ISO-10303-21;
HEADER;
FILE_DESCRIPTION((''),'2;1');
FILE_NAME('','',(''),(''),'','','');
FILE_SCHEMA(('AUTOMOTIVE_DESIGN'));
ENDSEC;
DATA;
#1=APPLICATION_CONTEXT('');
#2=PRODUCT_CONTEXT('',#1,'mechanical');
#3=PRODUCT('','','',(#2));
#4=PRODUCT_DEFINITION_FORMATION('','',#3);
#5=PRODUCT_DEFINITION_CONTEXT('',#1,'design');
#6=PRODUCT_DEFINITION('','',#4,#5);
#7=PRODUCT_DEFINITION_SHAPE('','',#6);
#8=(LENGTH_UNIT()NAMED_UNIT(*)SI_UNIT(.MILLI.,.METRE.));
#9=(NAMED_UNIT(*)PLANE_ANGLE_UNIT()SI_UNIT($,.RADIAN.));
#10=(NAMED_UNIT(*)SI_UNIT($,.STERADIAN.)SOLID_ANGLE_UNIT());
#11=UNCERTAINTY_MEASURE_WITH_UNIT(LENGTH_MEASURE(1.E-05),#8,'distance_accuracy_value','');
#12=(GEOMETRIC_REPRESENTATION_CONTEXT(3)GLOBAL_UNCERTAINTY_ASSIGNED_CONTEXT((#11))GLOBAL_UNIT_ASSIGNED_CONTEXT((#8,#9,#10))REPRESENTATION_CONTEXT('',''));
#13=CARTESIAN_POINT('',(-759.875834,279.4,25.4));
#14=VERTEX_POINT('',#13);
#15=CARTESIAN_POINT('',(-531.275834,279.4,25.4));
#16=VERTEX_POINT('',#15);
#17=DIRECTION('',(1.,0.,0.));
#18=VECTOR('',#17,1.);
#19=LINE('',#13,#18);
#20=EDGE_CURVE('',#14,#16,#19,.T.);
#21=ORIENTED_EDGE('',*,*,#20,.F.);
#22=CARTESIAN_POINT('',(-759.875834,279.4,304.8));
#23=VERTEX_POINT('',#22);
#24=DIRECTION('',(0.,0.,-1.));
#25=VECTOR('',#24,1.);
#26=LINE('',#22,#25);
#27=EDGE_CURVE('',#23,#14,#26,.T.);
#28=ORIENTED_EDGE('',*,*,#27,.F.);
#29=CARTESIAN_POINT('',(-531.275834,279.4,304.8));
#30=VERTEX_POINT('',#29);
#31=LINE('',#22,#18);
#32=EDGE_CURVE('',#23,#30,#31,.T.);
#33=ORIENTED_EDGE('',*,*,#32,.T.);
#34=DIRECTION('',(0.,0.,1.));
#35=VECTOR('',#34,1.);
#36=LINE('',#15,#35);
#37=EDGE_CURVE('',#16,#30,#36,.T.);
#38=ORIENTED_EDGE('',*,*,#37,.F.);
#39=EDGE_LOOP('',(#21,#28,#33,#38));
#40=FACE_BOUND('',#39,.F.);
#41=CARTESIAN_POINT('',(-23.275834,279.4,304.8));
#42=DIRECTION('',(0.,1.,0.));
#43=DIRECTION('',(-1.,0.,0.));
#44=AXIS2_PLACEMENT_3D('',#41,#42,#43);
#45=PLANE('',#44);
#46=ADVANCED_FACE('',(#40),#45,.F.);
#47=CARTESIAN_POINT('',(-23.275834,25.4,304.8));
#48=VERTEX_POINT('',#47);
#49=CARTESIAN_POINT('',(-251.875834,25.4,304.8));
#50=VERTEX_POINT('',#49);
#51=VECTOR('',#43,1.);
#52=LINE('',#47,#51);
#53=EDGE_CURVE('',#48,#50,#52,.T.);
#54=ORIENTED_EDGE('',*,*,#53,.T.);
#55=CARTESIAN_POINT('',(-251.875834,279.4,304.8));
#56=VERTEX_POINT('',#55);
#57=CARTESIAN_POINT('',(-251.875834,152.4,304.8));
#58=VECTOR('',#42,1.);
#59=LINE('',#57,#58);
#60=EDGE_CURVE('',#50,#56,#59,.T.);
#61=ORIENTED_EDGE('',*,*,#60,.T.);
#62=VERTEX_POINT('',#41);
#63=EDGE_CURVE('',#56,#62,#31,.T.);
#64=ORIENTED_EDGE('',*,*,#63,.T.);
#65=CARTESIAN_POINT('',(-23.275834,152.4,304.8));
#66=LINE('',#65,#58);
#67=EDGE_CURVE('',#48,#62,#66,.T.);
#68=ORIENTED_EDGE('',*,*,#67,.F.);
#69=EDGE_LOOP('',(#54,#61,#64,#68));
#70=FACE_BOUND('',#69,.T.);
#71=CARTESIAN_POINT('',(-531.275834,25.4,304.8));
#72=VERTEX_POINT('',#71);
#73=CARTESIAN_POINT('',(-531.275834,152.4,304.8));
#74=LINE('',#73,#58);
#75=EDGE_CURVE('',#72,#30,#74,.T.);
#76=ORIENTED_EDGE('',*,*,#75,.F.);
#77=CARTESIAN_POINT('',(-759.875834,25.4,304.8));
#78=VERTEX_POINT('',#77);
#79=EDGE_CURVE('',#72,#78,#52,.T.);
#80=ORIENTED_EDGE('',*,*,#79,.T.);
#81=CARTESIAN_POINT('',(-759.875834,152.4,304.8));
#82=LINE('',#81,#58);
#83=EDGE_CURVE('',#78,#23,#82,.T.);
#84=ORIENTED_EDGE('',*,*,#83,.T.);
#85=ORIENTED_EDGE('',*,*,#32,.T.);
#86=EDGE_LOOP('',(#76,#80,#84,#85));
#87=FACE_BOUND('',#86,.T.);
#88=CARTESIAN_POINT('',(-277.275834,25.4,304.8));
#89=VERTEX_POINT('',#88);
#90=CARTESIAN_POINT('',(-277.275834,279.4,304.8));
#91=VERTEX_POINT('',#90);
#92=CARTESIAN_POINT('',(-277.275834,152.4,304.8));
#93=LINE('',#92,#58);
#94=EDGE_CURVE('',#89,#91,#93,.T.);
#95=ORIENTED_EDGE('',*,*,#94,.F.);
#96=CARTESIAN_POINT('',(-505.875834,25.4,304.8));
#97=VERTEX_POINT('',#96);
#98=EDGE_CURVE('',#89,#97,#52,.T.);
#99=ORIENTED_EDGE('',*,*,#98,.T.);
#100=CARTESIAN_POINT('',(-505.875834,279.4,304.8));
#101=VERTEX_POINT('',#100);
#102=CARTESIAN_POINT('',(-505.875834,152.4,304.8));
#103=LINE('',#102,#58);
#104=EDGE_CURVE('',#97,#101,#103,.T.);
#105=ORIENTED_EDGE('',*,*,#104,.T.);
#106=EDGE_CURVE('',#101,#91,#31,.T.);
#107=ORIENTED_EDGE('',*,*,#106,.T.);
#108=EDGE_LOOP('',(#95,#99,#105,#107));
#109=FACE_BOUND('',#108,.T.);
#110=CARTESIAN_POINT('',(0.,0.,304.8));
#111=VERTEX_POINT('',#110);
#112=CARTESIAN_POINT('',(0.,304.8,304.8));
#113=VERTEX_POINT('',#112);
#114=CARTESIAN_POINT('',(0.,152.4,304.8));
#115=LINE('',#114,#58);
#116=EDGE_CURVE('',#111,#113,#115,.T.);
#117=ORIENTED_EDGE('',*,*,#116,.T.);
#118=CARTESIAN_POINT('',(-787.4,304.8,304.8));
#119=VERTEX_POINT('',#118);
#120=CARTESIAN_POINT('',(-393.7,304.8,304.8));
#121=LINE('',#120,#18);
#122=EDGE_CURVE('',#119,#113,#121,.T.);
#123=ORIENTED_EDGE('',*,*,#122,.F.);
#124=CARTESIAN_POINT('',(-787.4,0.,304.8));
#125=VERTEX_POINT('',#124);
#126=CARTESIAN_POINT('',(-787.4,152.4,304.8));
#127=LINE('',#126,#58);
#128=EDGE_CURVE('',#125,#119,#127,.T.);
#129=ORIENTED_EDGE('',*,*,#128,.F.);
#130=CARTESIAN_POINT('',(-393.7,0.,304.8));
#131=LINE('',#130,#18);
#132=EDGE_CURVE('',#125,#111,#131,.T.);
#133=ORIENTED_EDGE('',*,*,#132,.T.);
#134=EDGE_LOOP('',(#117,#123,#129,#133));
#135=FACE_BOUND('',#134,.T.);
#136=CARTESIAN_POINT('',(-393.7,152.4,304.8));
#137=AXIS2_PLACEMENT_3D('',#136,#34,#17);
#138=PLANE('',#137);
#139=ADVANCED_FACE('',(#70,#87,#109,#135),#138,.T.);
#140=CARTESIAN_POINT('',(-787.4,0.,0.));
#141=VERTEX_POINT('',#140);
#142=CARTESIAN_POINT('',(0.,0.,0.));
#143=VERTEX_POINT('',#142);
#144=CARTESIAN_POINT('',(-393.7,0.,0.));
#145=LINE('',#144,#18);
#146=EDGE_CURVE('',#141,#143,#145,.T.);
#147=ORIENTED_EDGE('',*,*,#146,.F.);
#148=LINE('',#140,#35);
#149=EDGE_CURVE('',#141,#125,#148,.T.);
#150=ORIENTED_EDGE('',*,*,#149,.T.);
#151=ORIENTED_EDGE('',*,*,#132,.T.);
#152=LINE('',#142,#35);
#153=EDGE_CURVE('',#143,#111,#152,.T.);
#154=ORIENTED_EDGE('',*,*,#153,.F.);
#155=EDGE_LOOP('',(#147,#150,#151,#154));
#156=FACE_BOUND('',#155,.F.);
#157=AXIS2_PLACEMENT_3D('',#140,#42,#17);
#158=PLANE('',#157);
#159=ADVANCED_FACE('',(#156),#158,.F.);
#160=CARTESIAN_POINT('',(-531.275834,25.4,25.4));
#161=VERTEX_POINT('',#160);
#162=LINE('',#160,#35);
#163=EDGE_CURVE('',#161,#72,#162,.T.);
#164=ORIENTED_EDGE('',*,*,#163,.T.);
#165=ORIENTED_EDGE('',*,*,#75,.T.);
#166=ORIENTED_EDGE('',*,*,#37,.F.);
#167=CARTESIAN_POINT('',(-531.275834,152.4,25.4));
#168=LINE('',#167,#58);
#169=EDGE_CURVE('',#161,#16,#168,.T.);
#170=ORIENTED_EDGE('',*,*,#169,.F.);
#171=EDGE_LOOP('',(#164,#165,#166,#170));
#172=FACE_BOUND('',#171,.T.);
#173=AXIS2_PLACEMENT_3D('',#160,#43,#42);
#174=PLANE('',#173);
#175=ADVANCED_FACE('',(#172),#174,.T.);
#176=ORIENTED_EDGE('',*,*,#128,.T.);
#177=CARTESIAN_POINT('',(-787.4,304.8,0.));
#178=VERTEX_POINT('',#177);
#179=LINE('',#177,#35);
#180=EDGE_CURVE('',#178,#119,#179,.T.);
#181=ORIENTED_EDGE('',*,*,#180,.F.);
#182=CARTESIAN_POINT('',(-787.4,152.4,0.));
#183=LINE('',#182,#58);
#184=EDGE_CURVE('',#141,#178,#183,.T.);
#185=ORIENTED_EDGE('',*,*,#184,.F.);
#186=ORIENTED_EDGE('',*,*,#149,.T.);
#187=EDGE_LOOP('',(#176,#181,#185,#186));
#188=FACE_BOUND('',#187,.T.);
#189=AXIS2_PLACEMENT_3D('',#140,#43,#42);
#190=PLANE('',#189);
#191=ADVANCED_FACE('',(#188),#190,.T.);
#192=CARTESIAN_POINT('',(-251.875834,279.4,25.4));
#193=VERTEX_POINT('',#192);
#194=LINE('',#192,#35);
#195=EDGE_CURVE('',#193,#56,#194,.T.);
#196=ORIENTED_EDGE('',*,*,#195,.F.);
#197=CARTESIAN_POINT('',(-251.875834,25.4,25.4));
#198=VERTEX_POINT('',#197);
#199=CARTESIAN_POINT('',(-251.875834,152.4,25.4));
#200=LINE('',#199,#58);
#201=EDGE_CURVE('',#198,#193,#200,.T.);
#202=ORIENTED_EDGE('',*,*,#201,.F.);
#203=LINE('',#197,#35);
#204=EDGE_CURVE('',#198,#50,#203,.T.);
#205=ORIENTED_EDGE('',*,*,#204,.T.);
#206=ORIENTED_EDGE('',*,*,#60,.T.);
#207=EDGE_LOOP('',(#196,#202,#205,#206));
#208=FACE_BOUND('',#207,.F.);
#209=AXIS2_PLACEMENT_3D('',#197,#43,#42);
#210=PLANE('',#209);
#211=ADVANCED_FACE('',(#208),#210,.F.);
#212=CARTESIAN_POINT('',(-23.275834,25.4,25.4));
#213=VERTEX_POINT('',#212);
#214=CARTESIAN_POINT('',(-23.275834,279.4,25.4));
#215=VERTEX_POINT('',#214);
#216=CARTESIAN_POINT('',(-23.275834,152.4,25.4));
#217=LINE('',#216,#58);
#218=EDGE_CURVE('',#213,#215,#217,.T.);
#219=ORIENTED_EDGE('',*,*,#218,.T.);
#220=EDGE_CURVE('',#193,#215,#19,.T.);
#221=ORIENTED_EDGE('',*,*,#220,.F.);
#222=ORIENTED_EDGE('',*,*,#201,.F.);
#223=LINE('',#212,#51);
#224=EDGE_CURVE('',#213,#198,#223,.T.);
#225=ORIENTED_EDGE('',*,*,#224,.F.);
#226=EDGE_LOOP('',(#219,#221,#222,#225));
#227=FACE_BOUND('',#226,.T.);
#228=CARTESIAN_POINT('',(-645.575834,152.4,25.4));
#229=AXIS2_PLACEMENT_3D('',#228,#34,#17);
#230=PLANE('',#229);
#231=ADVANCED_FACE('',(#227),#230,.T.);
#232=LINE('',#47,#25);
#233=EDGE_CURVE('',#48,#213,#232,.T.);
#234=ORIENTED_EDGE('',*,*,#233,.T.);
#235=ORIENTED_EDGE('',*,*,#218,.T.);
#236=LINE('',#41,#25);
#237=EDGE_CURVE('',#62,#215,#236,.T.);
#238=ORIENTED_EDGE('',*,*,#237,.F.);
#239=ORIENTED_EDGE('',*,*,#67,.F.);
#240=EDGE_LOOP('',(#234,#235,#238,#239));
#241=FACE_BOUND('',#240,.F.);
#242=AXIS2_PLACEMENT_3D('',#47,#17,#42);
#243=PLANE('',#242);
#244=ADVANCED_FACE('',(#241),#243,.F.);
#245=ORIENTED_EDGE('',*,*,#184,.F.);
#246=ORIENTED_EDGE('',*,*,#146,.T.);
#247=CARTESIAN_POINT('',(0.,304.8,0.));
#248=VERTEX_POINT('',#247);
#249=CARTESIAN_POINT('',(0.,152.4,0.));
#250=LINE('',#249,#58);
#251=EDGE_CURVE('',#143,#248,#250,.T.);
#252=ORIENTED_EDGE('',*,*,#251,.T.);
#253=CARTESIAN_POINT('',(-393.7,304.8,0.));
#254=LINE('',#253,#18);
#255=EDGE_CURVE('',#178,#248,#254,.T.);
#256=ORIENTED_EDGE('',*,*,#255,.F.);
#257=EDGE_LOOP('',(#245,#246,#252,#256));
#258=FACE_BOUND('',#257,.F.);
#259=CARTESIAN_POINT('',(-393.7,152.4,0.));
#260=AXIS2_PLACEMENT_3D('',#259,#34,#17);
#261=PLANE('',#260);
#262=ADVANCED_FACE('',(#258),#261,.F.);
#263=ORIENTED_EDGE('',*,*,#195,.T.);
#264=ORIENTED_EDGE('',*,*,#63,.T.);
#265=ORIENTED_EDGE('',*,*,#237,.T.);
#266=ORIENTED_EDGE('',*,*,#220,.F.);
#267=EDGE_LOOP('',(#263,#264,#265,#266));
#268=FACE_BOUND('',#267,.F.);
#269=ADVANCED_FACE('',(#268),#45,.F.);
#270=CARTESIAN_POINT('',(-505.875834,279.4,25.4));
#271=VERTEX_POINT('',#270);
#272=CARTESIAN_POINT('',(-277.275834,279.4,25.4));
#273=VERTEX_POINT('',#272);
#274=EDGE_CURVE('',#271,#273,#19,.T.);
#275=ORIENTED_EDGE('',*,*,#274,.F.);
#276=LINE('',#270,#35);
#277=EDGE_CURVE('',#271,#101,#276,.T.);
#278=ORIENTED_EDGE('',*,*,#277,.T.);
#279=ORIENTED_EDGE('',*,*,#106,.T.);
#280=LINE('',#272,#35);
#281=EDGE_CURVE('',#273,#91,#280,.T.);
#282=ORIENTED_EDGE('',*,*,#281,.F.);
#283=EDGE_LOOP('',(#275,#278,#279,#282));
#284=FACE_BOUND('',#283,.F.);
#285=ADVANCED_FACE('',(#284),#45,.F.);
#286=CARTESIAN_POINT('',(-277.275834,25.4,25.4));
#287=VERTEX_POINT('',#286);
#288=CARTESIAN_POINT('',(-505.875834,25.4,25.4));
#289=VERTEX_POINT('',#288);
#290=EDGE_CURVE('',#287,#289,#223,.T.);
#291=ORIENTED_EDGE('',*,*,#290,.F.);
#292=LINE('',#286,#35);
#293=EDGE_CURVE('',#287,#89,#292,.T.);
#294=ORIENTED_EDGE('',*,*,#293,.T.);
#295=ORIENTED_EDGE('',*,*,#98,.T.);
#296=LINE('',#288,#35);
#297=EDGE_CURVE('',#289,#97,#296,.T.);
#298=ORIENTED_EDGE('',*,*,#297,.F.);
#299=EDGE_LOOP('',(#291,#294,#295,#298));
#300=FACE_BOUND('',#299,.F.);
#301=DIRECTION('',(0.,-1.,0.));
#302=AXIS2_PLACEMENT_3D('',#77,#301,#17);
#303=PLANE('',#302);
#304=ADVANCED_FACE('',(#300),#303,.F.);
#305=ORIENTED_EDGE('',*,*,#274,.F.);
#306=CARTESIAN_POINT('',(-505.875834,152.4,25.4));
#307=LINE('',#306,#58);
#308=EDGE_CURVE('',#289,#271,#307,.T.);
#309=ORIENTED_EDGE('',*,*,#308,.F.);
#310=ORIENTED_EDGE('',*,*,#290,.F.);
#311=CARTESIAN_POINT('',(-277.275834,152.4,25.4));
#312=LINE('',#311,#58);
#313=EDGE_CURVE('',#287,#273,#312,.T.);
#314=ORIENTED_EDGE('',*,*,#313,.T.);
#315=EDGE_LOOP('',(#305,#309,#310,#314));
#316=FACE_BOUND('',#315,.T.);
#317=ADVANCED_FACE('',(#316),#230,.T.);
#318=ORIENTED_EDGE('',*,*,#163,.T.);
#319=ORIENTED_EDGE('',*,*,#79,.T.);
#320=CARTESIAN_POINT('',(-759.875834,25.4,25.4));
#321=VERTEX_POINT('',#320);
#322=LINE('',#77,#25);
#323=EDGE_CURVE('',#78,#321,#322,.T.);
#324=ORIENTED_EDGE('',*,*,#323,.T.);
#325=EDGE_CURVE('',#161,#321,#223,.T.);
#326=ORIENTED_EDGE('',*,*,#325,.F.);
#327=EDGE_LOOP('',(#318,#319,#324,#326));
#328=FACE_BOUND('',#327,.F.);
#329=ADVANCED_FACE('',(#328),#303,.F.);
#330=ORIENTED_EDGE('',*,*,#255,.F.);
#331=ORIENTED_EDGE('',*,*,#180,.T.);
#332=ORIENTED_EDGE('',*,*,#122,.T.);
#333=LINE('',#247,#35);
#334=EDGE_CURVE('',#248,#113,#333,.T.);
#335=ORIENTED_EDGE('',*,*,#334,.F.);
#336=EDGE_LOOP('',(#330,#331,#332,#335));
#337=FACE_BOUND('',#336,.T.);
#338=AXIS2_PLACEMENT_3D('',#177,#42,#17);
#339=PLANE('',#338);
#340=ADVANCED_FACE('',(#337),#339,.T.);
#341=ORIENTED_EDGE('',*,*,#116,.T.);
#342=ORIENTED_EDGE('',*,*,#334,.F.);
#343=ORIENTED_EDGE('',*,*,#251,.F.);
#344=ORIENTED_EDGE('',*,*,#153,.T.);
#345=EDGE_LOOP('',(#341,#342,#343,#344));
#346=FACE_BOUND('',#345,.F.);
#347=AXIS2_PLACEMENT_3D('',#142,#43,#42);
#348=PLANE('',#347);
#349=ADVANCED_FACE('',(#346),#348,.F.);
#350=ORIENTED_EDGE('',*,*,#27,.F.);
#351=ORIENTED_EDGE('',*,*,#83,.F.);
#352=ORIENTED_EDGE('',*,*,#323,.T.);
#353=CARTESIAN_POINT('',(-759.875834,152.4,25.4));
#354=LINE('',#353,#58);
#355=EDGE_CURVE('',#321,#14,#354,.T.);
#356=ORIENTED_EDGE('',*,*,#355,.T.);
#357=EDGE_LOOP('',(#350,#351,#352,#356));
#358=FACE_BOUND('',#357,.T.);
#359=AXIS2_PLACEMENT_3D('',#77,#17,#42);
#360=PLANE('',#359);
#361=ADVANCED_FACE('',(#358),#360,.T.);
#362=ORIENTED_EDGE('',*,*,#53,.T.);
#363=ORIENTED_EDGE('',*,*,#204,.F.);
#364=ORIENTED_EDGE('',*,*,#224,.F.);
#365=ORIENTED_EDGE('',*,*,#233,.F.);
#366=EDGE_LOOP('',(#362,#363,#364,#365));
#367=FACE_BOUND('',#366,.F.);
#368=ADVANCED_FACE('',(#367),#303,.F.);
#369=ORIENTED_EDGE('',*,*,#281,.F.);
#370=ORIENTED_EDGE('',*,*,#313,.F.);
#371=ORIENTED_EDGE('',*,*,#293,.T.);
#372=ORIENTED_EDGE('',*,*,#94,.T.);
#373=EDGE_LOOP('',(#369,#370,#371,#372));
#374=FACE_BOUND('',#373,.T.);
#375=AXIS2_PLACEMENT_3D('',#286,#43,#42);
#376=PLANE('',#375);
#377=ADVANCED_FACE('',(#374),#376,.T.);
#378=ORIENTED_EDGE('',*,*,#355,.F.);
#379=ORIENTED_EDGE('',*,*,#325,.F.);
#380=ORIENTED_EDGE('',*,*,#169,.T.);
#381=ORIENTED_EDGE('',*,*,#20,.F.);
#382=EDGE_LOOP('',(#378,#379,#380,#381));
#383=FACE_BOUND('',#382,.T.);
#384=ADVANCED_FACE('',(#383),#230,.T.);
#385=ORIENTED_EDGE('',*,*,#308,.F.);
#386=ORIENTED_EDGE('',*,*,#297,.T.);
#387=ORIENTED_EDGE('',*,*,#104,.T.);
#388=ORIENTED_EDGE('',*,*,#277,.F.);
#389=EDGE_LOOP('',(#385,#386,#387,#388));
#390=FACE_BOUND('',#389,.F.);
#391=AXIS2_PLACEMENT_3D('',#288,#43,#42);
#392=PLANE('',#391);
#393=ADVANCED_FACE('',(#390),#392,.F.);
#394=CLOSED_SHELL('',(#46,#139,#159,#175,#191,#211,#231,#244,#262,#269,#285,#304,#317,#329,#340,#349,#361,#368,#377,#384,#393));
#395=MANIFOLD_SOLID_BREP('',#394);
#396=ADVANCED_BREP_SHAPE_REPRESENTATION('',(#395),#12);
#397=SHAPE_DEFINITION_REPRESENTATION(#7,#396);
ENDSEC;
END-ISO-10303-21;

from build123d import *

# Parameters (mm, degrees)
F0_W     = 787.4
F0_H     = 304.8
F1_DEPTH = 304.8
F2_W     = 228.6
F2_H     = 254
F2_W_2   = 508
F4_DEPTH = 279.4
F3_W     = 508
F3_H     = 254
F5_DEPTH = 279.4
F6_W     = 25.4
F6_H     = 254
F7_DEPTH = 279.4
F8_W     = 25.4
F8_H     = 254
F9_DEPTH = 279.4


with BuildPart() as f1:
    # F0 (on Top) → F1 (new body)
    with BuildSketch(Plane.XY):
        with Locations((-393.7, 152.4)):
            Rectangle(F0_W, F0_H)
    extrude(amount=F1_DEPTH)

    # F2 (on face) → F4 (cut)
    with BuildSketch(Plane.XY.offset(304.8)):
        with Locations((-645.575834, 152.4)):
            Rectangle(F2_W, F2_H)
        with Locations((-277.275834, 152.4)):
            Rectangle(F2_W_2, F2_H)
    extrude(amount=-F4_DEPTH, mode=Mode.SUBTRACT)

    # F3 (on face) → F5 (cut)
    with BuildSketch(Plane.XY.offset(304.8)):
        with Locations((-277.275834, 152.4)):
            Rectangle(F3_W, F3_H)
    extrude(amount=-F5_DEPTH, mode=Mode.SUBTRACT)

    # F6 (on face) → F7 (join, through all)
    with BuildSketch(Plane.XY.offset(25.4)):
        with Locations((-518.575834, 152.4)):
            Rectangle(F6_W, F6_H)
    extrude(amount=F7_DEPTH)

    # F8 (on face) → F9 (join, through all)
    with BuildSketch(Plane.XY.offset(25.4)):
        with Locations((-264.575834, 152.4)):
            Rectangle(F8_W, F8_H)
    extrude(amount=F9_DEPTH)


solid = f1.part
